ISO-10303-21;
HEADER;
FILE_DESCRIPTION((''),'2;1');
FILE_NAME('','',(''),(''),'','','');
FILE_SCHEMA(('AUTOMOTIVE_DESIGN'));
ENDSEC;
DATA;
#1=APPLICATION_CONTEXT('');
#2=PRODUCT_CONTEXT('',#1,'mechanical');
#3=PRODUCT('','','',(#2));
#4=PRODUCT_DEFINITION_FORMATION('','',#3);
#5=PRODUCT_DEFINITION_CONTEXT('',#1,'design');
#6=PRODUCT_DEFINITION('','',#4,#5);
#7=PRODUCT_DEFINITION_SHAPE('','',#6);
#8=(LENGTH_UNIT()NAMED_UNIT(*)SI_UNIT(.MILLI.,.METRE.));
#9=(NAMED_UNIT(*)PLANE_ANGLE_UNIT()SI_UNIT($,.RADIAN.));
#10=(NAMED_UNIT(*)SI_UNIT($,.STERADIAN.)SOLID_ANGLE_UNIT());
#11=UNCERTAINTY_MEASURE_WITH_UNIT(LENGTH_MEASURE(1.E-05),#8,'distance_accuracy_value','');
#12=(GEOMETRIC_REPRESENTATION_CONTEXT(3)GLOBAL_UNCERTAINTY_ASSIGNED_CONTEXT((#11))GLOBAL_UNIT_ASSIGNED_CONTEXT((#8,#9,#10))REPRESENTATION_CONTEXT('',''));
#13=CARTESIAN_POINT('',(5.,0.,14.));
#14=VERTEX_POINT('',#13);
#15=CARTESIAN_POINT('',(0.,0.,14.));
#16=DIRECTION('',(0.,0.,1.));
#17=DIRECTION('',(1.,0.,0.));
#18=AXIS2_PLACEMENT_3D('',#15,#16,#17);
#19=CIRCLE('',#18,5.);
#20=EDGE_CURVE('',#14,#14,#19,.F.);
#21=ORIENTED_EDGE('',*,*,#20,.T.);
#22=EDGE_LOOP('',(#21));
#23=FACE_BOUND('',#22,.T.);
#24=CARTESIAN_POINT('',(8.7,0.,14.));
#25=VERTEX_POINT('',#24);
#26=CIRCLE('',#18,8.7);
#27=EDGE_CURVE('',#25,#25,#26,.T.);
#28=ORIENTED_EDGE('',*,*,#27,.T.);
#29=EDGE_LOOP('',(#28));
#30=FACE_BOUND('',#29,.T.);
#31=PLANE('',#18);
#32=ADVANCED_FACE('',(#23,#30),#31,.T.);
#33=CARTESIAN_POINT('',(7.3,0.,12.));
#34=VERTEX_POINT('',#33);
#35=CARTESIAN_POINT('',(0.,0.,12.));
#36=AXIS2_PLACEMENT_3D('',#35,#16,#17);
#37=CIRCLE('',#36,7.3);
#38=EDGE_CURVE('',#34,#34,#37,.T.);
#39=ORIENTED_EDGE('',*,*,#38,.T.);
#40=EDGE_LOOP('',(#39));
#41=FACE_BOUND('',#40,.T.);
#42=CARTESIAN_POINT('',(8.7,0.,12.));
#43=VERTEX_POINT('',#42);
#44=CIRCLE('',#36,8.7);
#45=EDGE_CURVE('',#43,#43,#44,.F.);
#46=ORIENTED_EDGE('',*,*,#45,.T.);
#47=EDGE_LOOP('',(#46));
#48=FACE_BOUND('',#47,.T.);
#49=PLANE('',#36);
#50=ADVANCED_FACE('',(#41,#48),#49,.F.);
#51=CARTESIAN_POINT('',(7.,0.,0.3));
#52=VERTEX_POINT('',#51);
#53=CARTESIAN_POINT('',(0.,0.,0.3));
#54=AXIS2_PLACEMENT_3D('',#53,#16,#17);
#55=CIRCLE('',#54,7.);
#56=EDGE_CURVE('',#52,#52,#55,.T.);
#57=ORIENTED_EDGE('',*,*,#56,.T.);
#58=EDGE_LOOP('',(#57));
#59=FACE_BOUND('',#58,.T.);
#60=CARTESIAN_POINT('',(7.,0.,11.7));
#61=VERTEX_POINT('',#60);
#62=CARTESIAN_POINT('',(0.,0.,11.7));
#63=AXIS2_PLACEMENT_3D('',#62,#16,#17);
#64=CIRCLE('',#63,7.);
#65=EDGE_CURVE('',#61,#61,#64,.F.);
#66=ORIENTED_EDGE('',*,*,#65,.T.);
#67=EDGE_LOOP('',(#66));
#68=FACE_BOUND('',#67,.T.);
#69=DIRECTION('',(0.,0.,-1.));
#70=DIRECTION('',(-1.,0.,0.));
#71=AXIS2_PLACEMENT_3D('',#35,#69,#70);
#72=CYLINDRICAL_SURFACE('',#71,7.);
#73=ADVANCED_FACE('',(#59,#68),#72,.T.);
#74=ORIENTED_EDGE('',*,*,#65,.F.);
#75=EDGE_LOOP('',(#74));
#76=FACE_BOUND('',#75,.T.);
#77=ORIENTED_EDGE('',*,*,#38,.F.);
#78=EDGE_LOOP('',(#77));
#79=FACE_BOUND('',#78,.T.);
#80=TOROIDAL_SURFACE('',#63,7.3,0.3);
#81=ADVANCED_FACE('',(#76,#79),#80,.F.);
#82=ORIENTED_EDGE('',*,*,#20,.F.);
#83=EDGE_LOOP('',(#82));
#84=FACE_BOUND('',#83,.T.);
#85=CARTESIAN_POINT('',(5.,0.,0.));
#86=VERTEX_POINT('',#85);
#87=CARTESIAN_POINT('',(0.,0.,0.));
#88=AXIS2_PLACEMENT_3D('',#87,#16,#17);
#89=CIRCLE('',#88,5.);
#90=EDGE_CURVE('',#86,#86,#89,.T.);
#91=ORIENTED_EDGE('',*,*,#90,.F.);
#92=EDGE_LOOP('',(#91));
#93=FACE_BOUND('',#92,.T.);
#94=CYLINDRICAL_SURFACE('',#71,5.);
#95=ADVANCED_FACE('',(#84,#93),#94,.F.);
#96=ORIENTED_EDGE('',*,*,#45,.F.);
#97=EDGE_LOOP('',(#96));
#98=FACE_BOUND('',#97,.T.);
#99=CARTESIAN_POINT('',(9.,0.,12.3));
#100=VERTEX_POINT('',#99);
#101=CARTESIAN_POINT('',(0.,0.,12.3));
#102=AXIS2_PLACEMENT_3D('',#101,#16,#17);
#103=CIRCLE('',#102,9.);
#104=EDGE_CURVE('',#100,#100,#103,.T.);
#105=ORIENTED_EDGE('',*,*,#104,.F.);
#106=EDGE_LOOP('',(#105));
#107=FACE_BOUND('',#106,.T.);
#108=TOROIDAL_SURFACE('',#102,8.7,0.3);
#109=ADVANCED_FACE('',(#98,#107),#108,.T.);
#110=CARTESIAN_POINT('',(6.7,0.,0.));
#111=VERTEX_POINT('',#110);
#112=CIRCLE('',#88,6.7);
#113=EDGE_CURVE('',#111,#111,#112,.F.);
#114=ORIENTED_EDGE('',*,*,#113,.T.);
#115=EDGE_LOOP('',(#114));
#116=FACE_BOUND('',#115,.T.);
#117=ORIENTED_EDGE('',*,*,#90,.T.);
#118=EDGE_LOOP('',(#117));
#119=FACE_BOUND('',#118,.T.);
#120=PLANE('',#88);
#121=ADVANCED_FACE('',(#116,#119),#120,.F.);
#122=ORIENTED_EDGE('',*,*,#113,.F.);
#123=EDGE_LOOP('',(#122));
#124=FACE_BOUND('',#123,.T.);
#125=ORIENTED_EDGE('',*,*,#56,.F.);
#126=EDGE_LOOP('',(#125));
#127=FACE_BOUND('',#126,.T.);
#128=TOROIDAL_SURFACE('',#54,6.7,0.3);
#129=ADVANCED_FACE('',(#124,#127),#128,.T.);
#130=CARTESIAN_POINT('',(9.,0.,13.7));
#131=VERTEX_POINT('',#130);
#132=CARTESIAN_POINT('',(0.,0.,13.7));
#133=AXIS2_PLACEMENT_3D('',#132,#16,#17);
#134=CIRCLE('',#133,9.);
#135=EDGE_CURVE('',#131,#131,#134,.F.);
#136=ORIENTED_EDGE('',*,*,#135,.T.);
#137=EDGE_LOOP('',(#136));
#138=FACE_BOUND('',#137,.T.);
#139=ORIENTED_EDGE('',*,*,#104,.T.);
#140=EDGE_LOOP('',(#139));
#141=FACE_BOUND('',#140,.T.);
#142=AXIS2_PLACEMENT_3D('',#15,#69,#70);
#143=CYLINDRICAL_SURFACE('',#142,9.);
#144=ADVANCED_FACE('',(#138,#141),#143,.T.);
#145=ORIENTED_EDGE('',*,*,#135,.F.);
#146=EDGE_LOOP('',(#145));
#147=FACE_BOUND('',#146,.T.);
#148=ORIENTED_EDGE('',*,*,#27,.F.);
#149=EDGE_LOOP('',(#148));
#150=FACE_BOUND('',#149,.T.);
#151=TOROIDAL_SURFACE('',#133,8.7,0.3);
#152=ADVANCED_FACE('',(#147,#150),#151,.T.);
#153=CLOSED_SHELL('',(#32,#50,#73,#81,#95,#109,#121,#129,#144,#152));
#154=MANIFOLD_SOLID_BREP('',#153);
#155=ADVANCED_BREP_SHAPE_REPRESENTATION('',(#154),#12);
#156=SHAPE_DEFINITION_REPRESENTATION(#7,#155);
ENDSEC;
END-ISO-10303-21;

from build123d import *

# Parameters (mm, degrees)
SKETCH1_R           = 7
SKETCH1_R_2         = 5
BOSS_EXTRUDE1_DEPTH = 12
SKETCH2_R           = 9
SKETCH2_R_2         = 7
SKETCH2_R_3         = 5
BOSS_EXTRUDE2_DEPTH = 2
FILLET1_R           = 0.3


with BuildPart() as part:
    # Sketch1 → Boss-Extrude1 (new body)
    with BuildSketch(Plane.XY):
        Circle(SKETCH1_R)
        Circle(SKETCH1_R_2, mode=Mode.SUBTRACT)
    extrude(amount=BOSS_EXTRUDE1_DEPTH)

    # Sketch2 → Boss-Extrude2 (add)
    # profile 1 of 2: a face of its own
    with BuildSketch(Plane.XY.offset(12)):
        Circle(SKETCH2_R)
        Circle(SKETCH2_R_2, mode=Mode.SUBTRACT)
    # profile 2 of 2: a face of its own
    with BuildSketch(Plane.XY.offset(12)):
        Circle(SKETCH2_R_2)
        Circle(SKETCH2_R_3, mode=Mode.SUBTRACT)
    extrude(amount=BOSS_EXTRUDE2_DEPTH)

    # Fillet1
    fillet1_edges = [part.edges().sort_by_distance(p)[0] for p in [
        (-9, 0, 12),
        (-9, 0, 14),
        (-7, 0, 0),
        (-7, 0, 12),
    ]]
    fillet(fillet1_edges, radius=FILLET1_R)


solid = part.part
